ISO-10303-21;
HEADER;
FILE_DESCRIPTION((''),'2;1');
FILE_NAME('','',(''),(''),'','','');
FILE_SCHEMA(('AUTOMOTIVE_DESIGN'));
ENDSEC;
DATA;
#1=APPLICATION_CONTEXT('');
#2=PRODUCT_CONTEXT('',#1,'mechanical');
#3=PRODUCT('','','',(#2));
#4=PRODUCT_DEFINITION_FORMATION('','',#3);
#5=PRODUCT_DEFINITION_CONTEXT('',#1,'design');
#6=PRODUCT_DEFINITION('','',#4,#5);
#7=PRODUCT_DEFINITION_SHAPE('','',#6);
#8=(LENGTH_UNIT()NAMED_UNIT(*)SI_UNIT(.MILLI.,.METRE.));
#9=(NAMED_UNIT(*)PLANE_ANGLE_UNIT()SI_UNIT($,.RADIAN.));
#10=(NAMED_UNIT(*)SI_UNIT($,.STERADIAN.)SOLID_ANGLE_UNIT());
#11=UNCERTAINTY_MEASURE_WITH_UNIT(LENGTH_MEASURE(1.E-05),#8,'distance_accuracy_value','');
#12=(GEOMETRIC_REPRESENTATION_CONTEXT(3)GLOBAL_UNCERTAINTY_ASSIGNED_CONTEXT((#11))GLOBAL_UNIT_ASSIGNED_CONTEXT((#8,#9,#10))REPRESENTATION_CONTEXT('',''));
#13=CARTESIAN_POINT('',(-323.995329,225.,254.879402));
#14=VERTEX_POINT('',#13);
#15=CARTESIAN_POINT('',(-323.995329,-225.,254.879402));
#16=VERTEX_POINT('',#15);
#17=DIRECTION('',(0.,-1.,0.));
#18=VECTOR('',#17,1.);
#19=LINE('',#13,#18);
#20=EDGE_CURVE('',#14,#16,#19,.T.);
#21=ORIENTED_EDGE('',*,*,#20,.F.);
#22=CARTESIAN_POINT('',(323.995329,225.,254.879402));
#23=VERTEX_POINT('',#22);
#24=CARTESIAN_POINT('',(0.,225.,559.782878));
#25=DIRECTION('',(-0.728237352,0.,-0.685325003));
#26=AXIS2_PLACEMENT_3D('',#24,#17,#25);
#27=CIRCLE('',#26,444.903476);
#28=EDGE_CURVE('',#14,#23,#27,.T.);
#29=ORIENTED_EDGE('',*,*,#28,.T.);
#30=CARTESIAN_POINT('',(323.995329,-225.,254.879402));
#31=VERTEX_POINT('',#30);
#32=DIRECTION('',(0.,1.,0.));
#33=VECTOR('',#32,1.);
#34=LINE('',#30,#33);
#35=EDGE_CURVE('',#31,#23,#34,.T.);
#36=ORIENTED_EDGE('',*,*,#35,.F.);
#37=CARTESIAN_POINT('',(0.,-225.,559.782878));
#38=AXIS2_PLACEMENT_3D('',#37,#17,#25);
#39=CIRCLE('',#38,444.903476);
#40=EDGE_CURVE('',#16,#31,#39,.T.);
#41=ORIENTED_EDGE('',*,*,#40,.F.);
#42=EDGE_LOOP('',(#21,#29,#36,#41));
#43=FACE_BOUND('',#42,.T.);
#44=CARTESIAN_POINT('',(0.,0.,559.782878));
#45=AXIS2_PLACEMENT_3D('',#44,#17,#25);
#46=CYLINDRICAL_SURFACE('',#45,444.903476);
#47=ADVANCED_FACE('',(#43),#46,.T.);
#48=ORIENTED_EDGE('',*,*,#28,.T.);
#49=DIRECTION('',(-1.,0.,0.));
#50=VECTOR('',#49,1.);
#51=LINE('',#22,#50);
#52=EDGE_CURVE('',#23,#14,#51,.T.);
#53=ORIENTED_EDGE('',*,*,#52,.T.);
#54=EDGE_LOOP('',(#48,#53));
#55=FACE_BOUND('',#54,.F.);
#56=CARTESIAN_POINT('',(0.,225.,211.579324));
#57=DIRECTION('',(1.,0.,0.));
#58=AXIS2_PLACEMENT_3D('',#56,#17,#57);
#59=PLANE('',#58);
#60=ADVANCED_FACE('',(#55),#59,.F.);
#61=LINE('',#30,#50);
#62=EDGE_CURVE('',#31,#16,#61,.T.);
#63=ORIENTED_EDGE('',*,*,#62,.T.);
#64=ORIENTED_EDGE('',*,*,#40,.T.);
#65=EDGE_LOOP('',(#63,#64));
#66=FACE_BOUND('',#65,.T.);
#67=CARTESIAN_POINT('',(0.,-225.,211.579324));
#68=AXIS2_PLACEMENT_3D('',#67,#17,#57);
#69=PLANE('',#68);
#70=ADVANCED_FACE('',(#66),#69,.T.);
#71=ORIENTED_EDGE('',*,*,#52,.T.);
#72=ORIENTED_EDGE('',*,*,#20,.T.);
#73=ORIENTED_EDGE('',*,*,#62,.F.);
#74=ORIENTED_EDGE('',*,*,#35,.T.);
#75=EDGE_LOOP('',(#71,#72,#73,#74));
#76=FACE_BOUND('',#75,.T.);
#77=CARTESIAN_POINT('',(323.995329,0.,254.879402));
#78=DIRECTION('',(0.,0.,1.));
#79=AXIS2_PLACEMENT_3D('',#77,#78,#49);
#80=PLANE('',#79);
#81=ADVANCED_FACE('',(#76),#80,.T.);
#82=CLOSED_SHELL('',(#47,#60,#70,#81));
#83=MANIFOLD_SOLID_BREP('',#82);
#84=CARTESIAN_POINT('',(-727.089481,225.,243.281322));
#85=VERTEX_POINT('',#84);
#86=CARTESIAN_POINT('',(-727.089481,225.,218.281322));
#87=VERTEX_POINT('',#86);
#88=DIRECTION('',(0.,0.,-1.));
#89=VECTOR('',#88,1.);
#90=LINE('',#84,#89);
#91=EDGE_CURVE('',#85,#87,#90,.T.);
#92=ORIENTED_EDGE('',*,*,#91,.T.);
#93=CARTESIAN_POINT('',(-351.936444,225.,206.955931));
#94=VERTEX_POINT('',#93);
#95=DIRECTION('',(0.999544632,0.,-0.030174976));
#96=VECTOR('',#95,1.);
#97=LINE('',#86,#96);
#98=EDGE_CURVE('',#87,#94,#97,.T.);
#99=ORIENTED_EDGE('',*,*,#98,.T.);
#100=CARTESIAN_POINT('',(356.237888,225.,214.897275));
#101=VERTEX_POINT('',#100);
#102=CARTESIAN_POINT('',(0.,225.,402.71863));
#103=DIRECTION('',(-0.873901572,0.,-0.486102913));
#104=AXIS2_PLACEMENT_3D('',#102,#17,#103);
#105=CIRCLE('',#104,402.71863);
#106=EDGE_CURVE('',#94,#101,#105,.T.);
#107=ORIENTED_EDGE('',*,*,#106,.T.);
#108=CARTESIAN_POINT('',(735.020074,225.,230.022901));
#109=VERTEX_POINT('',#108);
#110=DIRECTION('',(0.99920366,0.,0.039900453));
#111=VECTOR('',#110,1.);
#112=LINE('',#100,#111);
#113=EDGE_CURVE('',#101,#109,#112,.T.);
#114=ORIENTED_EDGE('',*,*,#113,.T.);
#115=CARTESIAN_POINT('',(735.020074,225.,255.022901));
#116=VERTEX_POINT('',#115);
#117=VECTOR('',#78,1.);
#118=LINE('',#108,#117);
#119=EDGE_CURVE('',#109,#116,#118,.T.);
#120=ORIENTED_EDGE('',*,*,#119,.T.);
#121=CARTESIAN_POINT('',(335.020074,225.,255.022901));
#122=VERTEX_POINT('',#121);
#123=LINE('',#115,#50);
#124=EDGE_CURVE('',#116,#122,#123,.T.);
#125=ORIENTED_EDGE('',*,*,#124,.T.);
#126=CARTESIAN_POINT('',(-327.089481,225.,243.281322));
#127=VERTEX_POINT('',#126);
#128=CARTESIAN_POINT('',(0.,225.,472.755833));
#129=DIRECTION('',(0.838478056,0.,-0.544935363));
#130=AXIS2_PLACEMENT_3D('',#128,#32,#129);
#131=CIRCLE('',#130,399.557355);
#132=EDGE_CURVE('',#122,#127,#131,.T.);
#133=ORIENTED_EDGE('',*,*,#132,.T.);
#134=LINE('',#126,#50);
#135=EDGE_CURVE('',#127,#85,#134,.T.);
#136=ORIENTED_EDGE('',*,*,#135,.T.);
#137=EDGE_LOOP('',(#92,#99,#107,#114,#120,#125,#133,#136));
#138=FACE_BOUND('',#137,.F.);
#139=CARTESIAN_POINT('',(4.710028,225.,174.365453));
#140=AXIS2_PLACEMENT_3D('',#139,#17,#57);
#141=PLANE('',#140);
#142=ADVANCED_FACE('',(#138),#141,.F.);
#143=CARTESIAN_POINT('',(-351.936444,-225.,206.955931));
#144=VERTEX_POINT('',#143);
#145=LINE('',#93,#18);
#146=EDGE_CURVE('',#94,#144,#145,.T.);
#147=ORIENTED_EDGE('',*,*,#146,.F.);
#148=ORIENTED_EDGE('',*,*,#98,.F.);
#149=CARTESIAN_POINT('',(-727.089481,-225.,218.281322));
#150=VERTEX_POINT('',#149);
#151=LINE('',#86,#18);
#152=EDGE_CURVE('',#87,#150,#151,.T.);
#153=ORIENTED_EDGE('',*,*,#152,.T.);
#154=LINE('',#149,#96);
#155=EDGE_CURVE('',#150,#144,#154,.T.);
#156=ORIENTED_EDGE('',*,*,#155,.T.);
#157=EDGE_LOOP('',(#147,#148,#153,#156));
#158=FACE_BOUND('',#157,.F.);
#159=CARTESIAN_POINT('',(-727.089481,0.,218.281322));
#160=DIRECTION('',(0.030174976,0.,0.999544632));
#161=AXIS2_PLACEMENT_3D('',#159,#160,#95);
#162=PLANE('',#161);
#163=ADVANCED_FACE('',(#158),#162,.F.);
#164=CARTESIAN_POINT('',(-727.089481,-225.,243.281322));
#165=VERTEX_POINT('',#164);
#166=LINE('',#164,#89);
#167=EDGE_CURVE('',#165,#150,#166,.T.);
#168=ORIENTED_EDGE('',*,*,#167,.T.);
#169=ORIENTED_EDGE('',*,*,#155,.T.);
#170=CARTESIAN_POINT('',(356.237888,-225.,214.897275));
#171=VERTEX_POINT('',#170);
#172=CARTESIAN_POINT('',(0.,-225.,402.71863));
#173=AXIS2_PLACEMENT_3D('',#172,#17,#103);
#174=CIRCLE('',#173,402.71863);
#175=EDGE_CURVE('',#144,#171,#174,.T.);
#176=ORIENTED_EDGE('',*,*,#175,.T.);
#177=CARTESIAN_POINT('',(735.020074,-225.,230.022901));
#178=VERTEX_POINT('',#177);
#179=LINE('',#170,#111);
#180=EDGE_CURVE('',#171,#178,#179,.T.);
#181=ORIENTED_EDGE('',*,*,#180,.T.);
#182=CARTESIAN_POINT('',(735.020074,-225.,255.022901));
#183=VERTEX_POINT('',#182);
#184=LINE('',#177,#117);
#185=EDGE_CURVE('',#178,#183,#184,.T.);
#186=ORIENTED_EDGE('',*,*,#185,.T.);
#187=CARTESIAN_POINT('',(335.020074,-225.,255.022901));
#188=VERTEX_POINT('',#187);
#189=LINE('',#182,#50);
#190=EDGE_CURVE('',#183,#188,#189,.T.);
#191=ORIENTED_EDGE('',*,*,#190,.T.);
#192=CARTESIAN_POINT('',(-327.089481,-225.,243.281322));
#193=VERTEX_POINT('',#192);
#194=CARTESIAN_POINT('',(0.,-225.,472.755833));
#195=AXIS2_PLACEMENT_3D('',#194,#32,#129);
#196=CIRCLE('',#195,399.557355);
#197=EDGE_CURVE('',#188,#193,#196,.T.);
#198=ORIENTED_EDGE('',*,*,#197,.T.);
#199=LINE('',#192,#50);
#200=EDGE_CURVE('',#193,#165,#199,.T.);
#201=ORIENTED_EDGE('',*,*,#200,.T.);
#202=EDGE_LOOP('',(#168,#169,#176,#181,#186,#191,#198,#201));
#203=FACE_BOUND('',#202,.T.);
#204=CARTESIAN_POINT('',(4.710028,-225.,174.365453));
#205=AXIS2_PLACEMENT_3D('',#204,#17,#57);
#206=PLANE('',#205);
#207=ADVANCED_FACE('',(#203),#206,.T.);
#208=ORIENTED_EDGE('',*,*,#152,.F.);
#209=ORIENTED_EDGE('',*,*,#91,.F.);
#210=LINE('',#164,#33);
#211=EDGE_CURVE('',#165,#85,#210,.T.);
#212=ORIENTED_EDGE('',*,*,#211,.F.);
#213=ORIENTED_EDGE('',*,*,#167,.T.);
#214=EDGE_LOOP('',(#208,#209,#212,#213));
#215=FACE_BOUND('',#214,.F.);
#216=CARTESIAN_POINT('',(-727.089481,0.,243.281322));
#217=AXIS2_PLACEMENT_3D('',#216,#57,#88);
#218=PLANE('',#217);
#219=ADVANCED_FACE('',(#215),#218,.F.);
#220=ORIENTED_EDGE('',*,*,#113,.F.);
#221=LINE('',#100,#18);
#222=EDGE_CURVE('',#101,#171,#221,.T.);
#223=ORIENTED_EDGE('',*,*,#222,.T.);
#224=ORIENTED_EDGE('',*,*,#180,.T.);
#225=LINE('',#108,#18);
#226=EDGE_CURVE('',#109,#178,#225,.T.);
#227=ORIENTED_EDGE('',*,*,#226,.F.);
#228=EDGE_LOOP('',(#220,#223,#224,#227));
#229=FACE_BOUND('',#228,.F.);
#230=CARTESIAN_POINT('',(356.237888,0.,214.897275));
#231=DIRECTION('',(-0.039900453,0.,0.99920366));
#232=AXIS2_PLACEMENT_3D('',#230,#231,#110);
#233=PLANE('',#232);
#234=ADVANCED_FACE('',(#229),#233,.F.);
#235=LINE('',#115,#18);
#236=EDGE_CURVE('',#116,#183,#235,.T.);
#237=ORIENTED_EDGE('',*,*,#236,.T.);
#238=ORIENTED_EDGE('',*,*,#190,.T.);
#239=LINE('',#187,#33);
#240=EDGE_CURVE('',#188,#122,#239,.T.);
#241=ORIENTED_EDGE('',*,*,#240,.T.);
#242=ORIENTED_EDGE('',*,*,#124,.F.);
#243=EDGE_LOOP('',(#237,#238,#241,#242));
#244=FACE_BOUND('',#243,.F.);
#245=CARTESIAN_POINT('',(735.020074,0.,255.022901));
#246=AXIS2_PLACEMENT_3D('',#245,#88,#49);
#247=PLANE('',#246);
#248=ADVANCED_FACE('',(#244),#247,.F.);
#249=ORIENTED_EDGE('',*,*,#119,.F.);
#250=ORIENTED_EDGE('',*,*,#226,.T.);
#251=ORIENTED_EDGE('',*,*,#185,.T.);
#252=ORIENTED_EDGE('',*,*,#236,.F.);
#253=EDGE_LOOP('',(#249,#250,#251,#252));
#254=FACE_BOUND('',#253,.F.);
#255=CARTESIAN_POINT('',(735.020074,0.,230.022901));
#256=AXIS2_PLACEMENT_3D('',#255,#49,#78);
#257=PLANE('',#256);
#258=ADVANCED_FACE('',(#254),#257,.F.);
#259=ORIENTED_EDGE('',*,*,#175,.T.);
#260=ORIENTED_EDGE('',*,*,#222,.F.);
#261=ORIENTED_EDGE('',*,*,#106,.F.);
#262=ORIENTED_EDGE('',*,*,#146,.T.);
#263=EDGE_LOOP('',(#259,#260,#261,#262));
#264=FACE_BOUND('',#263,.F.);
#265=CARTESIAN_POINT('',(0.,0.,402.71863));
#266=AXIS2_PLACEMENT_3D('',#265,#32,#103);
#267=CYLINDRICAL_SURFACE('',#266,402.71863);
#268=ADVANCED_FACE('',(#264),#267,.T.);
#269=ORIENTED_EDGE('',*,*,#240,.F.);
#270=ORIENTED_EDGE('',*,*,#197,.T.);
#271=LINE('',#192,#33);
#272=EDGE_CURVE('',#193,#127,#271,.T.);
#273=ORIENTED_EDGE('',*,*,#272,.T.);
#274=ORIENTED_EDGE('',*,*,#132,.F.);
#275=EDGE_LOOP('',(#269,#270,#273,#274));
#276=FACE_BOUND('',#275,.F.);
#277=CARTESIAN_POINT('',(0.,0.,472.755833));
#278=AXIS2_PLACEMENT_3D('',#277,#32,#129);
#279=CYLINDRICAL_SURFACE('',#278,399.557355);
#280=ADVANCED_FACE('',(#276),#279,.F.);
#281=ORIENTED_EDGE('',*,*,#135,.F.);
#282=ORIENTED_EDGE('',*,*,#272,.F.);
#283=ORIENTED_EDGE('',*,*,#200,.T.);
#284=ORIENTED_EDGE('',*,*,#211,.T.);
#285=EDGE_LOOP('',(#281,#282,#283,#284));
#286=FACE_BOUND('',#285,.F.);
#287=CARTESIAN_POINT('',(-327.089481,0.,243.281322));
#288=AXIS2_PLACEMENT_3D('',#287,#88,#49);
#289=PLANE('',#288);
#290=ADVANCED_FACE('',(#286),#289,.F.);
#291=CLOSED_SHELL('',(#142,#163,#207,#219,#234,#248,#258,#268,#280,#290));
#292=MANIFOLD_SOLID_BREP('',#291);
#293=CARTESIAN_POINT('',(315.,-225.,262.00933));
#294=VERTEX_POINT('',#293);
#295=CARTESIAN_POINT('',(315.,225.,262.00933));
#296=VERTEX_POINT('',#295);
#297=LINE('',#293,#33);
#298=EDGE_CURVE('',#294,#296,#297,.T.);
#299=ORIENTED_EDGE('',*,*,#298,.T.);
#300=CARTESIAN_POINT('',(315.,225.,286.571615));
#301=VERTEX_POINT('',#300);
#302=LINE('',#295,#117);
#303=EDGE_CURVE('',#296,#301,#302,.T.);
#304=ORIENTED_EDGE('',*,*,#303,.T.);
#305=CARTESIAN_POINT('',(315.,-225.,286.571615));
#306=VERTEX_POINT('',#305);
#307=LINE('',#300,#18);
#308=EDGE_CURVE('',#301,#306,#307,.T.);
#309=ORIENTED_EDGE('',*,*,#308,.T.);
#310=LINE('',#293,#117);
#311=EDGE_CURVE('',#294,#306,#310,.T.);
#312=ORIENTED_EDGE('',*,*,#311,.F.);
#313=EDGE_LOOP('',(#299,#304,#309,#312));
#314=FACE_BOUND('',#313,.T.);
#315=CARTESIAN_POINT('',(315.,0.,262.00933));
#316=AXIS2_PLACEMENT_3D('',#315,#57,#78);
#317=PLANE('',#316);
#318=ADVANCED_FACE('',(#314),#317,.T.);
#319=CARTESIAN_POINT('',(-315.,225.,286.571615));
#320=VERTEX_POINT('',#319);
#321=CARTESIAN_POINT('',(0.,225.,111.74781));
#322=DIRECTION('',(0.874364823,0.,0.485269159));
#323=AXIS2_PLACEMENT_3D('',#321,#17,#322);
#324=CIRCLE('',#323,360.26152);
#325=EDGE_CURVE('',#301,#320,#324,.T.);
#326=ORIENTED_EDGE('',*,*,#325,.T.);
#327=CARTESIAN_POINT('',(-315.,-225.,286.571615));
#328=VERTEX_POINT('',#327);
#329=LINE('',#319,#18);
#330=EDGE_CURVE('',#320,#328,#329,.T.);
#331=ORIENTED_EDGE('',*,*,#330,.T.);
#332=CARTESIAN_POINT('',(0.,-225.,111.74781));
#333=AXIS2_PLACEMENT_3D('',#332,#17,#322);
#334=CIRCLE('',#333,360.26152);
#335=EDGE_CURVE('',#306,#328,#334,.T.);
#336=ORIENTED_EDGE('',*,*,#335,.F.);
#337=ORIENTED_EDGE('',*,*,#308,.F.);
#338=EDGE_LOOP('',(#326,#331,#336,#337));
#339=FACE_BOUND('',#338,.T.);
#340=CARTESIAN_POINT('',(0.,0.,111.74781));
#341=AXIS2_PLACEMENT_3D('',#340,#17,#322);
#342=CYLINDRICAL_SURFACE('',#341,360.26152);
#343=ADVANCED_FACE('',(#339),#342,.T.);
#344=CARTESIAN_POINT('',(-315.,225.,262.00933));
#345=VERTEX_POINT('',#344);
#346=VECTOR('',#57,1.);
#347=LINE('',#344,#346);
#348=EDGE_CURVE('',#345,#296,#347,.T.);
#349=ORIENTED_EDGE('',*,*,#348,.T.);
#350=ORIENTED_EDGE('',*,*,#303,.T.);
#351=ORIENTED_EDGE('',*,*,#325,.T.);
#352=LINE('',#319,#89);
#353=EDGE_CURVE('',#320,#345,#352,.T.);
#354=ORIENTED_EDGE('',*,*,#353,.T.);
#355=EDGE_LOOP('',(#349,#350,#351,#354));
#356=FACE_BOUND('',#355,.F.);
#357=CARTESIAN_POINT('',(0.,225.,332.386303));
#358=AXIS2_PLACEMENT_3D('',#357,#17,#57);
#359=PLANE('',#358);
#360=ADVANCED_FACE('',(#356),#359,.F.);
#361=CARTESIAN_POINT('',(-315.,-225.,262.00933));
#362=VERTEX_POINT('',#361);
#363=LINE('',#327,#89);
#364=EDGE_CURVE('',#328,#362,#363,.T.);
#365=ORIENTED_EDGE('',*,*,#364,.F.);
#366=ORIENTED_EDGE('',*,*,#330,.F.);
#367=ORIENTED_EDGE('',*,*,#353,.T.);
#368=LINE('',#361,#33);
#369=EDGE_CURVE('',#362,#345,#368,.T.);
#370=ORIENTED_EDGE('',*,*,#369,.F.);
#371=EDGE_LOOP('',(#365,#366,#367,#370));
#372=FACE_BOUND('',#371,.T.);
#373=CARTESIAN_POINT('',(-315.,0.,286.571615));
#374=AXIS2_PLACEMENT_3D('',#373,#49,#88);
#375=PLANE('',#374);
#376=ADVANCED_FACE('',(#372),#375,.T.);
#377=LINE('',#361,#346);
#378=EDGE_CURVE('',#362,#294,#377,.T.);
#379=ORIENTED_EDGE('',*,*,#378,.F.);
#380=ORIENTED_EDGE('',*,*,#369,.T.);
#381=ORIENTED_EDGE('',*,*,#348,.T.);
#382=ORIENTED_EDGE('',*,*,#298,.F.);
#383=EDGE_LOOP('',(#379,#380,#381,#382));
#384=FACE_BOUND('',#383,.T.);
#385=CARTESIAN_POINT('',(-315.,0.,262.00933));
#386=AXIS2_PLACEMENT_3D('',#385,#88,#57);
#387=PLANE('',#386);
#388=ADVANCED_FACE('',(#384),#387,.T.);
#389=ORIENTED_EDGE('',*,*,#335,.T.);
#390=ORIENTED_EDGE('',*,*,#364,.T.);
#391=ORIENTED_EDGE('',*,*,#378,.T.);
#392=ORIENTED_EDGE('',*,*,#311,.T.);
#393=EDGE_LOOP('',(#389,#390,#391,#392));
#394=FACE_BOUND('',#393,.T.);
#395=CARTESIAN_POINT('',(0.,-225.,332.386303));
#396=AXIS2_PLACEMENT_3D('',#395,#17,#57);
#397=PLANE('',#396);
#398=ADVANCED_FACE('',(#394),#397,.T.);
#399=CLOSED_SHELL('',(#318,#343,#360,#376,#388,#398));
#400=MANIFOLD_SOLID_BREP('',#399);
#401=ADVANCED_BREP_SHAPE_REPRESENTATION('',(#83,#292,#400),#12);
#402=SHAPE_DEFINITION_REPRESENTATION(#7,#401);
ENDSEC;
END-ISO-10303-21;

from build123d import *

# Parameters (mm, degrees)
F1_DEPTH = 225
F2_DEPTH = 225


with BuildPart() as f1:
    # F0 (on Front) → F1 (new body, symmetric)
    with BuildSketch(Plane.XZ):
        with BuildLine():
            Line((315, 262.00933), (315, 286.571615))
            ThreePointArc((315, 286.571615), (0, 472.00933), (-315, 286.571615))
            Line((-315, 286.571615), (-315, 262.00933))
            Line((-315, 262.00933), (315, 262.00933))
        make_face()
    extrude(amount=F1_DEPTH, both=True)


with BuildPart() as f2:
    # F0 (on Front) → F2 (new body, symmetric)
    with BuildSketch(Plane.XZ):
        with BuildLine():
            Line((-727.089481, 243.281322), (-727.089481, 218.281322))
            Line((-727.089481, 218.281322), (-351.936444, 206.955931))
            ThreePointArc((-351.936444, 206.955931), (4.515733, 0.025319), (356.237888, 214.897275))
            Line((356.237888, 214.897275), (735.020074, 230.022901))
            Line((735.020074, 230.022901), (735.020074, 255.022901))
            Line((735.020074, 255.022901), (335.020074, 255.022901))
            ThreePointArc((335.020074, 255.022901), (7.084472, 73.26129), (-327.089481, 243.281322))
            Line((-327.089481, 243.281322), (-727.089481, 243.281322))
        make_face()
        with BuildLine():
            Line((323.995329, 254.879402), (-323.995329, 254.879402))
            ThreePointArc((-323.995329, 254.879402), (0, 114.879402), (323.995329, 254.879402))
        make_face()
    extrude(amount=F2_DEPTH, both=True)


solid = Compound([f1.part, f2.part])
